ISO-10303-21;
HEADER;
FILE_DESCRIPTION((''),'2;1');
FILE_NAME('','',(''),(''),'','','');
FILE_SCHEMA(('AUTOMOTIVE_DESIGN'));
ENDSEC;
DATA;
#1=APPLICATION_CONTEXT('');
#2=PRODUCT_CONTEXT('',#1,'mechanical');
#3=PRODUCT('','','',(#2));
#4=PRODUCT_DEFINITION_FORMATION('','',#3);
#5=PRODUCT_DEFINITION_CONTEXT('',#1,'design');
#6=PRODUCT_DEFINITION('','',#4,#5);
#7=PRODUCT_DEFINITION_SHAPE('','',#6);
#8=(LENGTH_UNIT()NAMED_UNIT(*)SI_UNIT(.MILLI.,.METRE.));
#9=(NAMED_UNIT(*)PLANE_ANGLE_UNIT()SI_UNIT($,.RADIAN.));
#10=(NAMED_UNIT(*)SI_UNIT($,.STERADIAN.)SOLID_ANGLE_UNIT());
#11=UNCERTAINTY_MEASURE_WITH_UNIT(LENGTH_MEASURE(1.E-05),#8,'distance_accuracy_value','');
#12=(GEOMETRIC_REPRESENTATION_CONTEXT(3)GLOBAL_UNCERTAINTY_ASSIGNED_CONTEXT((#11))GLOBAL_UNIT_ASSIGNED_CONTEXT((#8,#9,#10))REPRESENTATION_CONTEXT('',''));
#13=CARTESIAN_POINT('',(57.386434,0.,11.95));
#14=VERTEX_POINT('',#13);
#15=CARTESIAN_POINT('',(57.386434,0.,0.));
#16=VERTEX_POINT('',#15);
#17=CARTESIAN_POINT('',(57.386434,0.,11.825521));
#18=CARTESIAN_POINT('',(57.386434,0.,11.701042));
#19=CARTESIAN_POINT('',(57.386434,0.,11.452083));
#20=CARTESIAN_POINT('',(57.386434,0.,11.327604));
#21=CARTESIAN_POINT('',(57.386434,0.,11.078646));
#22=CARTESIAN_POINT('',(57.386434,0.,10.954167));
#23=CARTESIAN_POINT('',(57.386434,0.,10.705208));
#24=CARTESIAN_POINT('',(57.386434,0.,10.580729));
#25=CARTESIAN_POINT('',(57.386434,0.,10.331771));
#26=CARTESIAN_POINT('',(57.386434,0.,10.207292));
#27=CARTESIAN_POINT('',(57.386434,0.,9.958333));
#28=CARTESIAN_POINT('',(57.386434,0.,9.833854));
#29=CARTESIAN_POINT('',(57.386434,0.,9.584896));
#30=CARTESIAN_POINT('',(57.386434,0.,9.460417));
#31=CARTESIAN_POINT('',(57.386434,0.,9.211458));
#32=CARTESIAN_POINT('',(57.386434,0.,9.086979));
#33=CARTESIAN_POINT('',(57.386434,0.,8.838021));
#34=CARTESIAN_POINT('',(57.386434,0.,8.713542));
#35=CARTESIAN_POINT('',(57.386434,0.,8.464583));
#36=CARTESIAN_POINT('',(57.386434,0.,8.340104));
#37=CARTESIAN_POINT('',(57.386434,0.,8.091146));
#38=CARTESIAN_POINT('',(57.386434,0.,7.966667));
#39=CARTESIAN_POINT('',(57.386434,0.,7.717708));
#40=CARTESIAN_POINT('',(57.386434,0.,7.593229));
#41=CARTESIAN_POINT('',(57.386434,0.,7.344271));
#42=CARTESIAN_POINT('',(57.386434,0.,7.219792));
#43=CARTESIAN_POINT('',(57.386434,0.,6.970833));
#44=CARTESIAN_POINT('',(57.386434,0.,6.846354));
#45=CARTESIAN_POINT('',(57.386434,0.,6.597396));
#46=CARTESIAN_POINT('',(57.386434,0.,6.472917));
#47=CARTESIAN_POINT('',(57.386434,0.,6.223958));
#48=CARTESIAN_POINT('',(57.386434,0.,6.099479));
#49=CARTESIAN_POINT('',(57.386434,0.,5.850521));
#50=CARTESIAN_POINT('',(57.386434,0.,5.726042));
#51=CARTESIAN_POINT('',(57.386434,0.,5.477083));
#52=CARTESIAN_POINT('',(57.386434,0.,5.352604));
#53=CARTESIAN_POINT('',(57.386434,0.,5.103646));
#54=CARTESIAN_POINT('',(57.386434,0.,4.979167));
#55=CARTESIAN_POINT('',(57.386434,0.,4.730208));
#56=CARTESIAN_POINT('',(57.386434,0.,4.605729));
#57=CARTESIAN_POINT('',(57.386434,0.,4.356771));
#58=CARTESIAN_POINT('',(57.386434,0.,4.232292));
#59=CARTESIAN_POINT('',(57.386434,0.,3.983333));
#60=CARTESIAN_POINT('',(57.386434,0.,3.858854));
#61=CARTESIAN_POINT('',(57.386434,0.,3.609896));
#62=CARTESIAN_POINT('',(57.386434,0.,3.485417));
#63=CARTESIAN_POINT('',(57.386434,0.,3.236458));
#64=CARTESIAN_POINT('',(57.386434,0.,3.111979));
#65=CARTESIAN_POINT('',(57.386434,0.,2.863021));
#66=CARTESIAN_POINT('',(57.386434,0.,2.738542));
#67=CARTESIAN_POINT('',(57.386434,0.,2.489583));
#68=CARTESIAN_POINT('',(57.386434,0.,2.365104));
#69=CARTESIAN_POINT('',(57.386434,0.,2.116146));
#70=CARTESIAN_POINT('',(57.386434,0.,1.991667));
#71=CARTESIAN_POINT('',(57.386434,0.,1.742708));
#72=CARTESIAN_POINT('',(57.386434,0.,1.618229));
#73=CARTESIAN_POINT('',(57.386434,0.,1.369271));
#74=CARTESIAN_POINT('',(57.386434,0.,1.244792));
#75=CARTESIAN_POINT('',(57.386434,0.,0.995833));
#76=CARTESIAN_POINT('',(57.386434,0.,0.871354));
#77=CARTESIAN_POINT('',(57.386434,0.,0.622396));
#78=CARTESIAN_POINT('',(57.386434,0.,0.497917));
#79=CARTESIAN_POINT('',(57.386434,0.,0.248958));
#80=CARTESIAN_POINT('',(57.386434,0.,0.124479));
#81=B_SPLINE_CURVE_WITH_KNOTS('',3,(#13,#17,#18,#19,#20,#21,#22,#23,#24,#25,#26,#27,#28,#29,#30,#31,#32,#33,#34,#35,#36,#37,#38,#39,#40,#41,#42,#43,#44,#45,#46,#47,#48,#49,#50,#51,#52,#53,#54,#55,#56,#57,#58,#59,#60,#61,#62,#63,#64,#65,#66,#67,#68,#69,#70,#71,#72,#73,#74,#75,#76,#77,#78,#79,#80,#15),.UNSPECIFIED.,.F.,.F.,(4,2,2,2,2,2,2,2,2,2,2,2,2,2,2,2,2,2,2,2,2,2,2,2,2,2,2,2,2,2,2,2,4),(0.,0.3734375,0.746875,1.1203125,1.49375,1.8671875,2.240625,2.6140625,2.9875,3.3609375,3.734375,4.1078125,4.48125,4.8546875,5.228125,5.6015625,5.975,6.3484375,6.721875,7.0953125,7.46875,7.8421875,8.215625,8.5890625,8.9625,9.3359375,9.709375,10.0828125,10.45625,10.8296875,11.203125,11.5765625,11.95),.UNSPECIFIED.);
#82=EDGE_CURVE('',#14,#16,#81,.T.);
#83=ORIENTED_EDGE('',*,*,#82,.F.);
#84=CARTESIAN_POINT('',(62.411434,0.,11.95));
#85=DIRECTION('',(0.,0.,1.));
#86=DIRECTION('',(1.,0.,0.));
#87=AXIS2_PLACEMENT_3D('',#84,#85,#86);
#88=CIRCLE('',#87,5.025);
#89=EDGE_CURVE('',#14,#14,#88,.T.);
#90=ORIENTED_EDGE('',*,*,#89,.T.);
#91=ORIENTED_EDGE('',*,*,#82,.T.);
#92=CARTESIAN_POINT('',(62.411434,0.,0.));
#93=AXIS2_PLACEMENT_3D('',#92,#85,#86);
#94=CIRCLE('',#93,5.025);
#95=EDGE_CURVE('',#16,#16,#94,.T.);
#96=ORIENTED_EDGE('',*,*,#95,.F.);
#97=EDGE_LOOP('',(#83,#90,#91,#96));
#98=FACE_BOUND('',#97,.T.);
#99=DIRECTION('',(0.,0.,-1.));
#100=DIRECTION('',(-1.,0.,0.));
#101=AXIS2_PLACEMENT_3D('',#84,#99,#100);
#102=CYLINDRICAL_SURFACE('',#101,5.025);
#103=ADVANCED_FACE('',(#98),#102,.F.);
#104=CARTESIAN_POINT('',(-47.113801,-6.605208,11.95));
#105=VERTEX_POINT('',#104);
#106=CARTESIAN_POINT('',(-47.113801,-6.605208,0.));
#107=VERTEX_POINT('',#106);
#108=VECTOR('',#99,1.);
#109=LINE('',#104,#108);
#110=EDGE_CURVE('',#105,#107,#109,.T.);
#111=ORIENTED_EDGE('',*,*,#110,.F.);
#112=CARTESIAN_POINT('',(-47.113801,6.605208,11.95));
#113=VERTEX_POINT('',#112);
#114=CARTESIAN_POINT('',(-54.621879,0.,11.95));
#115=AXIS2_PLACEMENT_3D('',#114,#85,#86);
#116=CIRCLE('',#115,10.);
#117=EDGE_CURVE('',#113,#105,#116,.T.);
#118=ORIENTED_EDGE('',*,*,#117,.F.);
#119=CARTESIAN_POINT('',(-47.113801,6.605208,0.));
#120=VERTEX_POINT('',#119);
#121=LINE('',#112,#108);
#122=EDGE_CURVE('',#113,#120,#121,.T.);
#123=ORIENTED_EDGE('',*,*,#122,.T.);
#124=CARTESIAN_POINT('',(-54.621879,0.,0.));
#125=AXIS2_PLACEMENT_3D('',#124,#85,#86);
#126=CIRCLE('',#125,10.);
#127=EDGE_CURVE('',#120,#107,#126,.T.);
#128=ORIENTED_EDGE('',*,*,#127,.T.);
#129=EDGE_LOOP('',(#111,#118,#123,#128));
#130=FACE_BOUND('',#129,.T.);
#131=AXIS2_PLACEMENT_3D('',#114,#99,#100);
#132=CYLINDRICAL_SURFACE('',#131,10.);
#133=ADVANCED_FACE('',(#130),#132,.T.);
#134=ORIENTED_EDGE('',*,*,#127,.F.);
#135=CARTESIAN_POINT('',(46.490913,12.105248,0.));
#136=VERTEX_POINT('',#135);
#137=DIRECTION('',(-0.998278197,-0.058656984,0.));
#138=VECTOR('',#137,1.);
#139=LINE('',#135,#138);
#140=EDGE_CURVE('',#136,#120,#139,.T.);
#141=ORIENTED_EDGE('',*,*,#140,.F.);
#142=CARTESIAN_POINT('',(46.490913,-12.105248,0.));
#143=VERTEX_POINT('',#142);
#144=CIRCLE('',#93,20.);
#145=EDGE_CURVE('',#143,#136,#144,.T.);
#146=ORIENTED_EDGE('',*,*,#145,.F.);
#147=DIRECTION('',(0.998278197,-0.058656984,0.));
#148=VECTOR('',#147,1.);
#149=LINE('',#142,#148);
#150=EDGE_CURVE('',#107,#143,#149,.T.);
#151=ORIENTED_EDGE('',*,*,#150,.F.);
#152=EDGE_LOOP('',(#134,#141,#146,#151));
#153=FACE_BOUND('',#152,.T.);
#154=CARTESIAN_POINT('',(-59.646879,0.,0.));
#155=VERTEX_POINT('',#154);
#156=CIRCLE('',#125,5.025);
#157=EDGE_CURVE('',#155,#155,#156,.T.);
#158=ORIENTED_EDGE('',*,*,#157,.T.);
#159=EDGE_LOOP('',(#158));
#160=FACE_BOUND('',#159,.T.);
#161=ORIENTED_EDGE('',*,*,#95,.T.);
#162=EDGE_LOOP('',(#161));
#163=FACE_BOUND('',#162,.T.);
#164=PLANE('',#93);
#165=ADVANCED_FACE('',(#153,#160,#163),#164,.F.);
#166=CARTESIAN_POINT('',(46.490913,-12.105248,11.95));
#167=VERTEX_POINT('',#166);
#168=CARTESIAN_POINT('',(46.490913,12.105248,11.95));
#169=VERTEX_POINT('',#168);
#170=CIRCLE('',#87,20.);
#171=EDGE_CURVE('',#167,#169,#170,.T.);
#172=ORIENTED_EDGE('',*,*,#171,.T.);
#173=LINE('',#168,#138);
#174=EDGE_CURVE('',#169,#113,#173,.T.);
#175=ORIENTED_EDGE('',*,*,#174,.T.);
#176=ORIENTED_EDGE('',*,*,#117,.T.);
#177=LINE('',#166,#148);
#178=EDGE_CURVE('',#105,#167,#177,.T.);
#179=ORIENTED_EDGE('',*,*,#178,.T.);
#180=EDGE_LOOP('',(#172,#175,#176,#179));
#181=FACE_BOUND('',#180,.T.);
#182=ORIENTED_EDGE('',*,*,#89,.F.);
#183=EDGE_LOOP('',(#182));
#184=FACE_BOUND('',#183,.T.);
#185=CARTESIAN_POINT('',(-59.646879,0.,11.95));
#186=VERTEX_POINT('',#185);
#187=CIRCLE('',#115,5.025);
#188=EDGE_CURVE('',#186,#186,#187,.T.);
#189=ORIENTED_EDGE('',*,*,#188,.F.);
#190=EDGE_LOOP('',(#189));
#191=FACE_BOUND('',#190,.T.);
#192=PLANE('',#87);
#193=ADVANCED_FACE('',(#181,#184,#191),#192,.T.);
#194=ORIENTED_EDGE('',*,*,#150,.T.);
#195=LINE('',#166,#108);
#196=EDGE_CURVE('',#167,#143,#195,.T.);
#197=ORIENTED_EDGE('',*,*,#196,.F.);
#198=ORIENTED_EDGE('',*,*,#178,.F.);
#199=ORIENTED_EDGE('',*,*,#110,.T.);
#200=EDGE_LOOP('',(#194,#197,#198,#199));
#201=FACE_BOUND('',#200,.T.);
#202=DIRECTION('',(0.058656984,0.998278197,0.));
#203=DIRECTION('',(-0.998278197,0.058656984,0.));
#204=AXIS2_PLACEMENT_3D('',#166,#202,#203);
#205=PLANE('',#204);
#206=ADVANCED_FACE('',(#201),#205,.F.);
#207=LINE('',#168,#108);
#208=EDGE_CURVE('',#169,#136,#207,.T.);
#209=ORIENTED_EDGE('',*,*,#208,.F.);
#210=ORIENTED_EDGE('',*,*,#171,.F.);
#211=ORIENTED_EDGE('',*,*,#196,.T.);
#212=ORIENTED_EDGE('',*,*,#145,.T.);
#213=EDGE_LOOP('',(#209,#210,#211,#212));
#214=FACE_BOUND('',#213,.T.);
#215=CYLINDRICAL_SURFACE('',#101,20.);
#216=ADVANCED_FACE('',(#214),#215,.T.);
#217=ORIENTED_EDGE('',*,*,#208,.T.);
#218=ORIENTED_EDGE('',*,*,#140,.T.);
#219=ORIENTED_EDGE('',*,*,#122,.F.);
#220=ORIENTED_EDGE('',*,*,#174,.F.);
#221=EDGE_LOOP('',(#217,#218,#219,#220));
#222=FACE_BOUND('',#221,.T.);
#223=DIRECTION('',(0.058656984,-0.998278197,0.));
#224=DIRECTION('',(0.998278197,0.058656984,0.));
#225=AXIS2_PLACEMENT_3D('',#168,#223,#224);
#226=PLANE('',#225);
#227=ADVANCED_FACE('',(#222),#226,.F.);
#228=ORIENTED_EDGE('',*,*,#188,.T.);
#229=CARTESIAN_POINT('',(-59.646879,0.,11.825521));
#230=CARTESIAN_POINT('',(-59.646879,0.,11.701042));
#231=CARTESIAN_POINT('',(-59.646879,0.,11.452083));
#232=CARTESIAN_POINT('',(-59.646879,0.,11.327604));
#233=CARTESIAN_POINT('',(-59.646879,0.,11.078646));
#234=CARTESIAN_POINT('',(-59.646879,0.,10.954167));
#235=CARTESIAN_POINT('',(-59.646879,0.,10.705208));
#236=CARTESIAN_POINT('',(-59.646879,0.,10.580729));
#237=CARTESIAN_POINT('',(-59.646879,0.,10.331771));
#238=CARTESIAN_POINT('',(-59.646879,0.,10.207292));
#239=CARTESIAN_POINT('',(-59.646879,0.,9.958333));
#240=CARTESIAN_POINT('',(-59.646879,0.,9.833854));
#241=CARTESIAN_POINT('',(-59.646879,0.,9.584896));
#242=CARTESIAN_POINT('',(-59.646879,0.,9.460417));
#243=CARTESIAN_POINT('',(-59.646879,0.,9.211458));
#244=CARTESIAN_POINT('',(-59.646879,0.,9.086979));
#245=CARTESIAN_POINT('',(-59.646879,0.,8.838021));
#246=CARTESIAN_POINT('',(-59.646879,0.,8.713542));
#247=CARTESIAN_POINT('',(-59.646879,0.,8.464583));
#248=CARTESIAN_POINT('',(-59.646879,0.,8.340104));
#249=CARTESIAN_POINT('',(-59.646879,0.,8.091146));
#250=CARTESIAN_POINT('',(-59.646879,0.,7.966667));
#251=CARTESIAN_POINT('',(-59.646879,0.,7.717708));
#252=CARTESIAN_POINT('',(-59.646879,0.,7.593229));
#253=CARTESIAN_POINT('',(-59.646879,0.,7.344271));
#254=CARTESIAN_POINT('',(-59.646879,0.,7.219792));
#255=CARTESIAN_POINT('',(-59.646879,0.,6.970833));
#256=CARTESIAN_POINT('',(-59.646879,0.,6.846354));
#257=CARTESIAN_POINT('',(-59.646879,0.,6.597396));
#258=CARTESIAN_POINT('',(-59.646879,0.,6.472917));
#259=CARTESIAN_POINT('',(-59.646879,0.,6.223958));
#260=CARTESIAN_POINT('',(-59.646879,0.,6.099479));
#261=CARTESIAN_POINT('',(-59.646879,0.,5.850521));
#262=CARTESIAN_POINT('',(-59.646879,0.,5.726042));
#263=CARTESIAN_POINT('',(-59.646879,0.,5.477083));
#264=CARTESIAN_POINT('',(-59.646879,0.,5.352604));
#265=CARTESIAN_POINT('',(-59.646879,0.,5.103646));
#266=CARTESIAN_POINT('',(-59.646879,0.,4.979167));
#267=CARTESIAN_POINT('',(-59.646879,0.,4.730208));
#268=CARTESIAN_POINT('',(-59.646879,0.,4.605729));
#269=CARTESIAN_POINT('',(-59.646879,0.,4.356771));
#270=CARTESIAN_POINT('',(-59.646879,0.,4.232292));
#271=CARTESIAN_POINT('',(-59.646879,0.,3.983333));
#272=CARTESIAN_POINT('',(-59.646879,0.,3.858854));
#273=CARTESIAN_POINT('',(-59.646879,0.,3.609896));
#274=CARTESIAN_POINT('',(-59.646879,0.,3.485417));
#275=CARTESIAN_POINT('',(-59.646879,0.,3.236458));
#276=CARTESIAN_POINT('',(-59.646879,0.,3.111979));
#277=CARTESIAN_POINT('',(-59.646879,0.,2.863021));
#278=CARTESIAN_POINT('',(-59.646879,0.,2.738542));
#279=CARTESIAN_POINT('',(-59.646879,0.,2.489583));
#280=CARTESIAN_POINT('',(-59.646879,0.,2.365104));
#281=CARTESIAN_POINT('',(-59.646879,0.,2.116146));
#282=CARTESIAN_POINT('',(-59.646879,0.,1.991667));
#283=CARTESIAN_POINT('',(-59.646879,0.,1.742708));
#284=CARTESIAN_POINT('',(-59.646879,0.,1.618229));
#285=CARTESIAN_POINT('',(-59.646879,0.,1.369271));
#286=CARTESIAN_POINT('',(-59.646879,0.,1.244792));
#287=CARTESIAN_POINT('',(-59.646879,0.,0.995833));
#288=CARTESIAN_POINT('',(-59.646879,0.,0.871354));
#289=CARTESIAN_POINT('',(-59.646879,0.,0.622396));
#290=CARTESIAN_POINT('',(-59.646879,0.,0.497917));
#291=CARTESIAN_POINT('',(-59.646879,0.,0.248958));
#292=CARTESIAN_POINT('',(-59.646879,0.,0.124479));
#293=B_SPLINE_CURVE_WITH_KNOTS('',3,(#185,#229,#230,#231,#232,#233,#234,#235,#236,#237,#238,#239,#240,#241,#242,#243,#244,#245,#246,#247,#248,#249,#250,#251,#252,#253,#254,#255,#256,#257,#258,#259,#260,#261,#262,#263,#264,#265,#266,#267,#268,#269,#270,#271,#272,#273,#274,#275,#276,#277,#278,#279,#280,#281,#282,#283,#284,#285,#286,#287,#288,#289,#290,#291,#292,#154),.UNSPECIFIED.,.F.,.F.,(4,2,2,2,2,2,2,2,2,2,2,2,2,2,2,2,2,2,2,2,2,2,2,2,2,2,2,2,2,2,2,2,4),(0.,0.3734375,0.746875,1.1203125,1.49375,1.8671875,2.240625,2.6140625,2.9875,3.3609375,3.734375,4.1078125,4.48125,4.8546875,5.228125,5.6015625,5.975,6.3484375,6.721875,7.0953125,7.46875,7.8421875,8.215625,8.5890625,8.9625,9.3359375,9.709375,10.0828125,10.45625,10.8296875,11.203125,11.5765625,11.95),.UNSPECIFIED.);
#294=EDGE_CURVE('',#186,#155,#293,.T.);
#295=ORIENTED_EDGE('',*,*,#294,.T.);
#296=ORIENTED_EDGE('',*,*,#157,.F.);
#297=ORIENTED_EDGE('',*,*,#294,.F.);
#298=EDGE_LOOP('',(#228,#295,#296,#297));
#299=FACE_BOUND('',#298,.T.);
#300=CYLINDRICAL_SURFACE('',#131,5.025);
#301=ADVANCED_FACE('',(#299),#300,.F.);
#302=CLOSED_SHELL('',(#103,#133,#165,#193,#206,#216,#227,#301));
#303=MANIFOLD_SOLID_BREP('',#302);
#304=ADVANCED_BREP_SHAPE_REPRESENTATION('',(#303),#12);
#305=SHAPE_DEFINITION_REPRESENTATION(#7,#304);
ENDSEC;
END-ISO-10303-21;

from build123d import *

# Parameters (mm, degrees)
SKETCH1_R           = 5.025
BOSS_EXTRUDE1_DEPTH = 11.95


with BuildPart() as part:
    # Sketch1 → Boss-Extrude1 (new body)
    with BuildSketch(Plane.XY):
        with BuildLine():
            Line((46.4909135, -12.105247864), (-47.113801334, -6.605207658))
            ThreePointArc((-47.113801334, -6.605207658), (-64.621879103, 0), (-47.113801334, 6.605207658))
            Line((-47.113801334, 6.605207658), (46.4909135, 12.105247864))
            ThreePointArc((46.4909135, 12.105247864), (82.411434037, 0), (46.4909135, -12.105247864))
        make_face()
        with Locations(Location((-54.621879103, 0, 0), (0, 0, 180))):
            Circle(SKETCH1_R, mode=Mode.SUBTRACT)
        with Locations(Location((62.411434037, 0, 0), (0, 0, 180))):
            Circle(SKETCH1_R, mode=Mode.SUBTRACT)
    extrude(amount=BOSS_EXTRUDE1_DEPTH)


solid = part.part
